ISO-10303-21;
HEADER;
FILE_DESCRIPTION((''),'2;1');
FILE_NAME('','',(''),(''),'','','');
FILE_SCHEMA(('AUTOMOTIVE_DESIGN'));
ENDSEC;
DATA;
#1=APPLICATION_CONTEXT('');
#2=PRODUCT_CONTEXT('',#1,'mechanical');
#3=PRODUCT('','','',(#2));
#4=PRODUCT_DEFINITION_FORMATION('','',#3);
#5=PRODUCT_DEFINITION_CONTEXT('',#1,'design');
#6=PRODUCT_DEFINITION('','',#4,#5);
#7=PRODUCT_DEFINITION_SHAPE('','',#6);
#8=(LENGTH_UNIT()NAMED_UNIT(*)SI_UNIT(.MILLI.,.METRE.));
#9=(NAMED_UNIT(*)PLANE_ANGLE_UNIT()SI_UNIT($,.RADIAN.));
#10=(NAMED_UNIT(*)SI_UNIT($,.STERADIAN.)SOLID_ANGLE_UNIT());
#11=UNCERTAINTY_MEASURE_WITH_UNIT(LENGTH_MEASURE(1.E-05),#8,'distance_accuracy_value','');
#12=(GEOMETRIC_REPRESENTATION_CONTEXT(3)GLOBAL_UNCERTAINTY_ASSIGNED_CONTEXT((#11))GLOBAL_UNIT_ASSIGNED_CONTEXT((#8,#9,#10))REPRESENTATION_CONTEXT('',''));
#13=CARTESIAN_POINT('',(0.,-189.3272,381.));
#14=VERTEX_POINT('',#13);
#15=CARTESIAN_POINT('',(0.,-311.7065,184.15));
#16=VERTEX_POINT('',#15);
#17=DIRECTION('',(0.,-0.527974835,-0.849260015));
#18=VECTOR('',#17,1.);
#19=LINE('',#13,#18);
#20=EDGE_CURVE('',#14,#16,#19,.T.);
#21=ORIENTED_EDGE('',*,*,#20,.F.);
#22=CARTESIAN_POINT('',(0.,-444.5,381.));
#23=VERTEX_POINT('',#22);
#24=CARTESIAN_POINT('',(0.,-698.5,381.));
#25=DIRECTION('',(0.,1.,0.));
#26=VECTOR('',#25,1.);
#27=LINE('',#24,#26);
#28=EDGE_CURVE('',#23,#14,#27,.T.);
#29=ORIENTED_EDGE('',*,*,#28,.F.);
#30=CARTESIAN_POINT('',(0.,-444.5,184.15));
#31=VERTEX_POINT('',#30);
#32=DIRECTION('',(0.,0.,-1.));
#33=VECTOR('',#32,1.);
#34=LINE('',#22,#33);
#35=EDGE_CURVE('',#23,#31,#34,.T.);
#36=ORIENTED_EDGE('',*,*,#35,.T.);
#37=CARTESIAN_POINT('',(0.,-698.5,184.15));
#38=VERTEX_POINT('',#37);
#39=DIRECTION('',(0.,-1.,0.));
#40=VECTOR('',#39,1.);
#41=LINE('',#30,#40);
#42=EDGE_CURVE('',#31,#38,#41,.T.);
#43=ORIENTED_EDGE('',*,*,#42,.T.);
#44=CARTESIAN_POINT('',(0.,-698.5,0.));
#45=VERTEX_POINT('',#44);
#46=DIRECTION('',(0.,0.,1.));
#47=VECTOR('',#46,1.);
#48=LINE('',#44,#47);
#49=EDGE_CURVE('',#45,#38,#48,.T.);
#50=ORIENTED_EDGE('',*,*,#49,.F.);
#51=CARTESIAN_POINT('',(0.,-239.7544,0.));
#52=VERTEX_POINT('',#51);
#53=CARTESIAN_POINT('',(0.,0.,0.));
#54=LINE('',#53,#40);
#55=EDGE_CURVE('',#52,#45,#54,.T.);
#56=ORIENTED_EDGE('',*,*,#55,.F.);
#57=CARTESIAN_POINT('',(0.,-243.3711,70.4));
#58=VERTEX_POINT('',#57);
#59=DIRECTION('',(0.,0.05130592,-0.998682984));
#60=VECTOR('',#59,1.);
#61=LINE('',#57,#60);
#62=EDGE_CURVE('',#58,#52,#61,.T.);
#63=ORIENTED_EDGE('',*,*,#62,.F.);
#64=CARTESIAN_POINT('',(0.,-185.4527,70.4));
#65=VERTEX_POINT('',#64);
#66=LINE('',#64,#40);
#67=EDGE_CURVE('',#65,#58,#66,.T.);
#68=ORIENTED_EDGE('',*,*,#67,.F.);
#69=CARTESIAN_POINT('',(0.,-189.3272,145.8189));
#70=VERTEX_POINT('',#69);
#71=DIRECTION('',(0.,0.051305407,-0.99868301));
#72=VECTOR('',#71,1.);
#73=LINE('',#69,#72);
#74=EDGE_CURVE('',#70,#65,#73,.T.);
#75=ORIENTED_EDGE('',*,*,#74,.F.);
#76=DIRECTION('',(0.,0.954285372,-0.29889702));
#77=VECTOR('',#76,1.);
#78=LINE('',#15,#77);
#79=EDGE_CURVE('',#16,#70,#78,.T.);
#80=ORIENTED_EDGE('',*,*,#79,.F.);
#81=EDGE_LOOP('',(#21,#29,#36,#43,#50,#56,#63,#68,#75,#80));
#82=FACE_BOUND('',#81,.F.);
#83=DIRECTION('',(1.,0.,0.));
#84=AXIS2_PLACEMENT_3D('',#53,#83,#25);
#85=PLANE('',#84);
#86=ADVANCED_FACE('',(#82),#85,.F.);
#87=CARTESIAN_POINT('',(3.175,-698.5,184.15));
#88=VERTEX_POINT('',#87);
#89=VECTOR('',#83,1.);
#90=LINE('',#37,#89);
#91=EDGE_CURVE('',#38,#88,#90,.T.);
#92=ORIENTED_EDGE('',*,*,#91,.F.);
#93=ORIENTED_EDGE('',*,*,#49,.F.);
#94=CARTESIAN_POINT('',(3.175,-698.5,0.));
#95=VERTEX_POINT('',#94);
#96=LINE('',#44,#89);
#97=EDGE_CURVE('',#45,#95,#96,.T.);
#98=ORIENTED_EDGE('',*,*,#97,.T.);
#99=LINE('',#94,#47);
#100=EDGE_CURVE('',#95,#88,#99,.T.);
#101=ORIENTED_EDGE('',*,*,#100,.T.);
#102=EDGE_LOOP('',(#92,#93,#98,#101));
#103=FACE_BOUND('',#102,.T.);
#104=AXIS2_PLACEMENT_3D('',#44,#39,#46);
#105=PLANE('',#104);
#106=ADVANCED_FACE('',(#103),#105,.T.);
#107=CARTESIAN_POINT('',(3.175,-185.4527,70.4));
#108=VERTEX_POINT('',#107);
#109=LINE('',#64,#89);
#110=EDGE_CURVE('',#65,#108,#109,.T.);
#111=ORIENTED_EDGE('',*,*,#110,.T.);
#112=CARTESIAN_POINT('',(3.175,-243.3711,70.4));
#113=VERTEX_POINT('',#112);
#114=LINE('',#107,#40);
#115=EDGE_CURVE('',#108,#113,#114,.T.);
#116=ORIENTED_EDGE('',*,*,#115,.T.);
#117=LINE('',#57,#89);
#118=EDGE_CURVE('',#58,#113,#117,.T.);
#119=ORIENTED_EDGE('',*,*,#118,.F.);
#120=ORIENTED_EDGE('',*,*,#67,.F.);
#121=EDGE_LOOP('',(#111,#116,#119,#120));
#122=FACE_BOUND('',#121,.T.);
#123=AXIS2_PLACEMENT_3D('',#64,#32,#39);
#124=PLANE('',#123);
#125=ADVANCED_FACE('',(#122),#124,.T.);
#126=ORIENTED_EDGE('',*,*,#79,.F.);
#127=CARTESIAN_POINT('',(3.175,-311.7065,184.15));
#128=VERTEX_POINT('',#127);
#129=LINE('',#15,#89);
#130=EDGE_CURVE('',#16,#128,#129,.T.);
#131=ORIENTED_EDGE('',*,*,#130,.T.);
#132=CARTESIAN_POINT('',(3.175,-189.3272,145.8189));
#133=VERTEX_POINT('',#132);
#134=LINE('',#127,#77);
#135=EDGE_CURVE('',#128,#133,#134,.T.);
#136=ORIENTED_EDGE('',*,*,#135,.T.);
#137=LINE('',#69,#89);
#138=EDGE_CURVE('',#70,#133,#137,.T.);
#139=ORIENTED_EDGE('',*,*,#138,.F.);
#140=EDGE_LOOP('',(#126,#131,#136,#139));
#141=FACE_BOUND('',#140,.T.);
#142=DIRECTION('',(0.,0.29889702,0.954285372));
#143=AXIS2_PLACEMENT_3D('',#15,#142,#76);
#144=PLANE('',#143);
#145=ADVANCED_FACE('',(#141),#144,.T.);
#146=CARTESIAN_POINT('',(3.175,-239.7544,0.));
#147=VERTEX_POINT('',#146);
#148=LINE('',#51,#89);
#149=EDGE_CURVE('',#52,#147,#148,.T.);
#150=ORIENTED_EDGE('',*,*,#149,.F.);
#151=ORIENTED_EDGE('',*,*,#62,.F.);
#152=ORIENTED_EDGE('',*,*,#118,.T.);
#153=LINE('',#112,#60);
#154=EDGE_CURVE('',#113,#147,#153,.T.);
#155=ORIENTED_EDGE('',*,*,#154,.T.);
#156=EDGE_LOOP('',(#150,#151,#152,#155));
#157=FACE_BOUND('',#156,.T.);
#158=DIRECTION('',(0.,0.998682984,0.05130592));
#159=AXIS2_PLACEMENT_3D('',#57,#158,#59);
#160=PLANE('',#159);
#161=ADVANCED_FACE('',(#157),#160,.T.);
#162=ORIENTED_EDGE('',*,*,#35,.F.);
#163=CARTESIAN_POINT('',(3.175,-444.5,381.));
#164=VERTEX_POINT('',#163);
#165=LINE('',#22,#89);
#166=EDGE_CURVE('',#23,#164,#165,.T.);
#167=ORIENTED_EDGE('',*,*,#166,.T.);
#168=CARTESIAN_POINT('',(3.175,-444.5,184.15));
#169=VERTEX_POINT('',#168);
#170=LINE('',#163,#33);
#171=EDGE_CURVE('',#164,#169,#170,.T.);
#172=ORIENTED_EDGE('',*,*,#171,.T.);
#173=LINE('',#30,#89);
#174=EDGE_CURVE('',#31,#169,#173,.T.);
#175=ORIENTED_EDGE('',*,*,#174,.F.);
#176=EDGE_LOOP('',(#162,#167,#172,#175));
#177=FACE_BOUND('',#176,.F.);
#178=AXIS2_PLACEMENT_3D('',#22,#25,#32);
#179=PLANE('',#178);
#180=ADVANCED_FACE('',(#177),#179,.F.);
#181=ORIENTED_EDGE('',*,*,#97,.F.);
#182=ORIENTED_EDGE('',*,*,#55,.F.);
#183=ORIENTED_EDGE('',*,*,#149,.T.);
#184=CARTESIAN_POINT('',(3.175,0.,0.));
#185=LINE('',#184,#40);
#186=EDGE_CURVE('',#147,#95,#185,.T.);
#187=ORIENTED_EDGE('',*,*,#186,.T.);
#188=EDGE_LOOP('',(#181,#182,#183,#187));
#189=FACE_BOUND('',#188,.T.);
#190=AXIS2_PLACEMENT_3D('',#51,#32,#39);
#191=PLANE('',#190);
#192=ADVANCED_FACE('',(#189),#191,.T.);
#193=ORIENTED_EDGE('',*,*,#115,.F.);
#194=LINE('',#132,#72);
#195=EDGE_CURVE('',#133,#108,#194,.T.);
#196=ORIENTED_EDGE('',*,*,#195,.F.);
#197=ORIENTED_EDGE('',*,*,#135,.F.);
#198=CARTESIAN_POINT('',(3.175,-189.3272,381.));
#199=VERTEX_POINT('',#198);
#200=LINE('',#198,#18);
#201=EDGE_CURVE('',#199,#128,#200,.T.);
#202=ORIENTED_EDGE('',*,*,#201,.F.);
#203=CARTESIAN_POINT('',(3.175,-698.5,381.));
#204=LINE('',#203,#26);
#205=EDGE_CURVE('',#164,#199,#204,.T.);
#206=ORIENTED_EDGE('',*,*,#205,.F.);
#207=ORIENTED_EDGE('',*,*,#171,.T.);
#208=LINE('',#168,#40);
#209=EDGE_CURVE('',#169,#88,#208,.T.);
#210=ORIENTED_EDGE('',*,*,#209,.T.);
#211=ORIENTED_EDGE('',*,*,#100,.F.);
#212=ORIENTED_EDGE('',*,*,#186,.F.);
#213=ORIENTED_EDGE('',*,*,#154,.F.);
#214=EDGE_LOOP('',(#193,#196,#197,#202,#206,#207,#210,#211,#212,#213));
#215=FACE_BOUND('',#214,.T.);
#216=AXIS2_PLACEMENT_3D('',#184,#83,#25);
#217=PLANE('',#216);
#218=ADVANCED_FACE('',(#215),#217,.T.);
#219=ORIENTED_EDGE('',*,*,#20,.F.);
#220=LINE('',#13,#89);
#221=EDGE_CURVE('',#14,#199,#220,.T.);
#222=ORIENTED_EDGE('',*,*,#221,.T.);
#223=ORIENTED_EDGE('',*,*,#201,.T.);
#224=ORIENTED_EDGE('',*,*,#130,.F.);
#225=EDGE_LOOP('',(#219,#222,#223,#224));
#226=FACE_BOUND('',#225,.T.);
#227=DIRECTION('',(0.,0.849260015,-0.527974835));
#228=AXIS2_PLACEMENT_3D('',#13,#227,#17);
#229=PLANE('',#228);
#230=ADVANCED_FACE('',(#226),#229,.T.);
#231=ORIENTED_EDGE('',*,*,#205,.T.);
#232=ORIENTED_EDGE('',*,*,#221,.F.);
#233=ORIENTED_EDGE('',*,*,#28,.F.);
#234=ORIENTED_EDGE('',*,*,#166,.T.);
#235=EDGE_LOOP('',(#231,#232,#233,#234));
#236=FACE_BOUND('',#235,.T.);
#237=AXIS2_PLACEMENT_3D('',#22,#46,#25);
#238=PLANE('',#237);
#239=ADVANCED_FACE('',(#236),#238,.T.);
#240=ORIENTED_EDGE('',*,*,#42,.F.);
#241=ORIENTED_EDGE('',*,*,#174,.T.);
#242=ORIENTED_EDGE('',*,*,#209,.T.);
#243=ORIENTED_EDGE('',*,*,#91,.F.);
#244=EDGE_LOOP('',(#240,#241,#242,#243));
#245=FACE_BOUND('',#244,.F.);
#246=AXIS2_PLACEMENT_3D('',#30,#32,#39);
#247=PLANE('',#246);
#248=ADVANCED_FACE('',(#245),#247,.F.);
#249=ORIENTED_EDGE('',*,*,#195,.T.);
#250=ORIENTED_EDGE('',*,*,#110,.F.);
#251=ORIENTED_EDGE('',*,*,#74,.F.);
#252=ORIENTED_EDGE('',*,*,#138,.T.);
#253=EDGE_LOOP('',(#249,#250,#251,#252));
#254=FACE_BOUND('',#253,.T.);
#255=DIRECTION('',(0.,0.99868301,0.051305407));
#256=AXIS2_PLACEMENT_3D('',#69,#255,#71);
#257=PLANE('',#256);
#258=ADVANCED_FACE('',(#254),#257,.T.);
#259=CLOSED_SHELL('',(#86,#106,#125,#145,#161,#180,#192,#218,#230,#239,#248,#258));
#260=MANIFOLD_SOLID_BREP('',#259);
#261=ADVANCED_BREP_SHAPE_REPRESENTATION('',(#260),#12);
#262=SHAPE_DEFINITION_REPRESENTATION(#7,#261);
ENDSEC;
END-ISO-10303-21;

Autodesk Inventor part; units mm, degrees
ref_plane "YZ Plane" through (0, 0, 0) normal (1, 0, 0) x (0, 1, 0)
ref_plane "XZ Plane" through (0, 0, 0) normal (0, 1, 0) x (-1, 0, 0)
ref_plane "XY Plane" through (0, 0, 0) normal (0, 0, 1) x (1, 0, 0)
sketch "Sketch1" plane through (0, 0, 0) normal (1, 0, 0) x (0, 1, 0)
  line L0 (0, 0) -> (-698.5, 0)
  line L1 (-698.5, 0) -> (-698.5, 381)
  line L2 (-698.5, 381) -> (0, 381)
  line L3 (0, 381) -> (0, 0)
  line L4 (-444.5, 381) -> (-444.5, 184.15)
  line L5 (-444.5, 184.15) -> (-698.5, 184.15)
  line L6 (-189.3272, 381) -> (-311.7065, 184.15)
  line L7 (-311.7065, 184.15) -> (-189.3272, 145.8189)
  line L8 (-189.3272, 145.8189) -> (-185.4527, 70.4)
  line L9 (-185.4527, 70.4) -> (-243.3711, 70.4)
  line L10 (-243.3711, 70.4) -> (-239.7544, 0)
  dimension "d0" = 698.5
  dimension "d1" = 381
  dimension "d3" = 254
  dimension "d4" = 196.85
extrude "Plate1" add sketch "Sketch1" along normal blind 3.175 contours L0 L1 L5 L4 L2 L6 L7 L8 L9 L10
equation "\"d2\" = Thickness"
equation "\"BendRadius\" = Thickness"
equation "\"BendReliefWidth\" = Thickness"
equation "\"BendReliefDepth\" = 0.5 * Thickness"
equation "\"CornerReliefSize\" = 4 * Thickness"
equation "\"MinimumRemnant\" = 2 * Thickness"
equation "\"TransitionRadius\" = BendRadius"
equation "\"JacobiRadiusSize\" = BendRadius"
equation "\"GapSize\" = Thickness"
equation "\"Thickness\" = 3.175"
properties part number "PLATE,HOPPER,BACK2" material "Polycarbonate, Clear"
